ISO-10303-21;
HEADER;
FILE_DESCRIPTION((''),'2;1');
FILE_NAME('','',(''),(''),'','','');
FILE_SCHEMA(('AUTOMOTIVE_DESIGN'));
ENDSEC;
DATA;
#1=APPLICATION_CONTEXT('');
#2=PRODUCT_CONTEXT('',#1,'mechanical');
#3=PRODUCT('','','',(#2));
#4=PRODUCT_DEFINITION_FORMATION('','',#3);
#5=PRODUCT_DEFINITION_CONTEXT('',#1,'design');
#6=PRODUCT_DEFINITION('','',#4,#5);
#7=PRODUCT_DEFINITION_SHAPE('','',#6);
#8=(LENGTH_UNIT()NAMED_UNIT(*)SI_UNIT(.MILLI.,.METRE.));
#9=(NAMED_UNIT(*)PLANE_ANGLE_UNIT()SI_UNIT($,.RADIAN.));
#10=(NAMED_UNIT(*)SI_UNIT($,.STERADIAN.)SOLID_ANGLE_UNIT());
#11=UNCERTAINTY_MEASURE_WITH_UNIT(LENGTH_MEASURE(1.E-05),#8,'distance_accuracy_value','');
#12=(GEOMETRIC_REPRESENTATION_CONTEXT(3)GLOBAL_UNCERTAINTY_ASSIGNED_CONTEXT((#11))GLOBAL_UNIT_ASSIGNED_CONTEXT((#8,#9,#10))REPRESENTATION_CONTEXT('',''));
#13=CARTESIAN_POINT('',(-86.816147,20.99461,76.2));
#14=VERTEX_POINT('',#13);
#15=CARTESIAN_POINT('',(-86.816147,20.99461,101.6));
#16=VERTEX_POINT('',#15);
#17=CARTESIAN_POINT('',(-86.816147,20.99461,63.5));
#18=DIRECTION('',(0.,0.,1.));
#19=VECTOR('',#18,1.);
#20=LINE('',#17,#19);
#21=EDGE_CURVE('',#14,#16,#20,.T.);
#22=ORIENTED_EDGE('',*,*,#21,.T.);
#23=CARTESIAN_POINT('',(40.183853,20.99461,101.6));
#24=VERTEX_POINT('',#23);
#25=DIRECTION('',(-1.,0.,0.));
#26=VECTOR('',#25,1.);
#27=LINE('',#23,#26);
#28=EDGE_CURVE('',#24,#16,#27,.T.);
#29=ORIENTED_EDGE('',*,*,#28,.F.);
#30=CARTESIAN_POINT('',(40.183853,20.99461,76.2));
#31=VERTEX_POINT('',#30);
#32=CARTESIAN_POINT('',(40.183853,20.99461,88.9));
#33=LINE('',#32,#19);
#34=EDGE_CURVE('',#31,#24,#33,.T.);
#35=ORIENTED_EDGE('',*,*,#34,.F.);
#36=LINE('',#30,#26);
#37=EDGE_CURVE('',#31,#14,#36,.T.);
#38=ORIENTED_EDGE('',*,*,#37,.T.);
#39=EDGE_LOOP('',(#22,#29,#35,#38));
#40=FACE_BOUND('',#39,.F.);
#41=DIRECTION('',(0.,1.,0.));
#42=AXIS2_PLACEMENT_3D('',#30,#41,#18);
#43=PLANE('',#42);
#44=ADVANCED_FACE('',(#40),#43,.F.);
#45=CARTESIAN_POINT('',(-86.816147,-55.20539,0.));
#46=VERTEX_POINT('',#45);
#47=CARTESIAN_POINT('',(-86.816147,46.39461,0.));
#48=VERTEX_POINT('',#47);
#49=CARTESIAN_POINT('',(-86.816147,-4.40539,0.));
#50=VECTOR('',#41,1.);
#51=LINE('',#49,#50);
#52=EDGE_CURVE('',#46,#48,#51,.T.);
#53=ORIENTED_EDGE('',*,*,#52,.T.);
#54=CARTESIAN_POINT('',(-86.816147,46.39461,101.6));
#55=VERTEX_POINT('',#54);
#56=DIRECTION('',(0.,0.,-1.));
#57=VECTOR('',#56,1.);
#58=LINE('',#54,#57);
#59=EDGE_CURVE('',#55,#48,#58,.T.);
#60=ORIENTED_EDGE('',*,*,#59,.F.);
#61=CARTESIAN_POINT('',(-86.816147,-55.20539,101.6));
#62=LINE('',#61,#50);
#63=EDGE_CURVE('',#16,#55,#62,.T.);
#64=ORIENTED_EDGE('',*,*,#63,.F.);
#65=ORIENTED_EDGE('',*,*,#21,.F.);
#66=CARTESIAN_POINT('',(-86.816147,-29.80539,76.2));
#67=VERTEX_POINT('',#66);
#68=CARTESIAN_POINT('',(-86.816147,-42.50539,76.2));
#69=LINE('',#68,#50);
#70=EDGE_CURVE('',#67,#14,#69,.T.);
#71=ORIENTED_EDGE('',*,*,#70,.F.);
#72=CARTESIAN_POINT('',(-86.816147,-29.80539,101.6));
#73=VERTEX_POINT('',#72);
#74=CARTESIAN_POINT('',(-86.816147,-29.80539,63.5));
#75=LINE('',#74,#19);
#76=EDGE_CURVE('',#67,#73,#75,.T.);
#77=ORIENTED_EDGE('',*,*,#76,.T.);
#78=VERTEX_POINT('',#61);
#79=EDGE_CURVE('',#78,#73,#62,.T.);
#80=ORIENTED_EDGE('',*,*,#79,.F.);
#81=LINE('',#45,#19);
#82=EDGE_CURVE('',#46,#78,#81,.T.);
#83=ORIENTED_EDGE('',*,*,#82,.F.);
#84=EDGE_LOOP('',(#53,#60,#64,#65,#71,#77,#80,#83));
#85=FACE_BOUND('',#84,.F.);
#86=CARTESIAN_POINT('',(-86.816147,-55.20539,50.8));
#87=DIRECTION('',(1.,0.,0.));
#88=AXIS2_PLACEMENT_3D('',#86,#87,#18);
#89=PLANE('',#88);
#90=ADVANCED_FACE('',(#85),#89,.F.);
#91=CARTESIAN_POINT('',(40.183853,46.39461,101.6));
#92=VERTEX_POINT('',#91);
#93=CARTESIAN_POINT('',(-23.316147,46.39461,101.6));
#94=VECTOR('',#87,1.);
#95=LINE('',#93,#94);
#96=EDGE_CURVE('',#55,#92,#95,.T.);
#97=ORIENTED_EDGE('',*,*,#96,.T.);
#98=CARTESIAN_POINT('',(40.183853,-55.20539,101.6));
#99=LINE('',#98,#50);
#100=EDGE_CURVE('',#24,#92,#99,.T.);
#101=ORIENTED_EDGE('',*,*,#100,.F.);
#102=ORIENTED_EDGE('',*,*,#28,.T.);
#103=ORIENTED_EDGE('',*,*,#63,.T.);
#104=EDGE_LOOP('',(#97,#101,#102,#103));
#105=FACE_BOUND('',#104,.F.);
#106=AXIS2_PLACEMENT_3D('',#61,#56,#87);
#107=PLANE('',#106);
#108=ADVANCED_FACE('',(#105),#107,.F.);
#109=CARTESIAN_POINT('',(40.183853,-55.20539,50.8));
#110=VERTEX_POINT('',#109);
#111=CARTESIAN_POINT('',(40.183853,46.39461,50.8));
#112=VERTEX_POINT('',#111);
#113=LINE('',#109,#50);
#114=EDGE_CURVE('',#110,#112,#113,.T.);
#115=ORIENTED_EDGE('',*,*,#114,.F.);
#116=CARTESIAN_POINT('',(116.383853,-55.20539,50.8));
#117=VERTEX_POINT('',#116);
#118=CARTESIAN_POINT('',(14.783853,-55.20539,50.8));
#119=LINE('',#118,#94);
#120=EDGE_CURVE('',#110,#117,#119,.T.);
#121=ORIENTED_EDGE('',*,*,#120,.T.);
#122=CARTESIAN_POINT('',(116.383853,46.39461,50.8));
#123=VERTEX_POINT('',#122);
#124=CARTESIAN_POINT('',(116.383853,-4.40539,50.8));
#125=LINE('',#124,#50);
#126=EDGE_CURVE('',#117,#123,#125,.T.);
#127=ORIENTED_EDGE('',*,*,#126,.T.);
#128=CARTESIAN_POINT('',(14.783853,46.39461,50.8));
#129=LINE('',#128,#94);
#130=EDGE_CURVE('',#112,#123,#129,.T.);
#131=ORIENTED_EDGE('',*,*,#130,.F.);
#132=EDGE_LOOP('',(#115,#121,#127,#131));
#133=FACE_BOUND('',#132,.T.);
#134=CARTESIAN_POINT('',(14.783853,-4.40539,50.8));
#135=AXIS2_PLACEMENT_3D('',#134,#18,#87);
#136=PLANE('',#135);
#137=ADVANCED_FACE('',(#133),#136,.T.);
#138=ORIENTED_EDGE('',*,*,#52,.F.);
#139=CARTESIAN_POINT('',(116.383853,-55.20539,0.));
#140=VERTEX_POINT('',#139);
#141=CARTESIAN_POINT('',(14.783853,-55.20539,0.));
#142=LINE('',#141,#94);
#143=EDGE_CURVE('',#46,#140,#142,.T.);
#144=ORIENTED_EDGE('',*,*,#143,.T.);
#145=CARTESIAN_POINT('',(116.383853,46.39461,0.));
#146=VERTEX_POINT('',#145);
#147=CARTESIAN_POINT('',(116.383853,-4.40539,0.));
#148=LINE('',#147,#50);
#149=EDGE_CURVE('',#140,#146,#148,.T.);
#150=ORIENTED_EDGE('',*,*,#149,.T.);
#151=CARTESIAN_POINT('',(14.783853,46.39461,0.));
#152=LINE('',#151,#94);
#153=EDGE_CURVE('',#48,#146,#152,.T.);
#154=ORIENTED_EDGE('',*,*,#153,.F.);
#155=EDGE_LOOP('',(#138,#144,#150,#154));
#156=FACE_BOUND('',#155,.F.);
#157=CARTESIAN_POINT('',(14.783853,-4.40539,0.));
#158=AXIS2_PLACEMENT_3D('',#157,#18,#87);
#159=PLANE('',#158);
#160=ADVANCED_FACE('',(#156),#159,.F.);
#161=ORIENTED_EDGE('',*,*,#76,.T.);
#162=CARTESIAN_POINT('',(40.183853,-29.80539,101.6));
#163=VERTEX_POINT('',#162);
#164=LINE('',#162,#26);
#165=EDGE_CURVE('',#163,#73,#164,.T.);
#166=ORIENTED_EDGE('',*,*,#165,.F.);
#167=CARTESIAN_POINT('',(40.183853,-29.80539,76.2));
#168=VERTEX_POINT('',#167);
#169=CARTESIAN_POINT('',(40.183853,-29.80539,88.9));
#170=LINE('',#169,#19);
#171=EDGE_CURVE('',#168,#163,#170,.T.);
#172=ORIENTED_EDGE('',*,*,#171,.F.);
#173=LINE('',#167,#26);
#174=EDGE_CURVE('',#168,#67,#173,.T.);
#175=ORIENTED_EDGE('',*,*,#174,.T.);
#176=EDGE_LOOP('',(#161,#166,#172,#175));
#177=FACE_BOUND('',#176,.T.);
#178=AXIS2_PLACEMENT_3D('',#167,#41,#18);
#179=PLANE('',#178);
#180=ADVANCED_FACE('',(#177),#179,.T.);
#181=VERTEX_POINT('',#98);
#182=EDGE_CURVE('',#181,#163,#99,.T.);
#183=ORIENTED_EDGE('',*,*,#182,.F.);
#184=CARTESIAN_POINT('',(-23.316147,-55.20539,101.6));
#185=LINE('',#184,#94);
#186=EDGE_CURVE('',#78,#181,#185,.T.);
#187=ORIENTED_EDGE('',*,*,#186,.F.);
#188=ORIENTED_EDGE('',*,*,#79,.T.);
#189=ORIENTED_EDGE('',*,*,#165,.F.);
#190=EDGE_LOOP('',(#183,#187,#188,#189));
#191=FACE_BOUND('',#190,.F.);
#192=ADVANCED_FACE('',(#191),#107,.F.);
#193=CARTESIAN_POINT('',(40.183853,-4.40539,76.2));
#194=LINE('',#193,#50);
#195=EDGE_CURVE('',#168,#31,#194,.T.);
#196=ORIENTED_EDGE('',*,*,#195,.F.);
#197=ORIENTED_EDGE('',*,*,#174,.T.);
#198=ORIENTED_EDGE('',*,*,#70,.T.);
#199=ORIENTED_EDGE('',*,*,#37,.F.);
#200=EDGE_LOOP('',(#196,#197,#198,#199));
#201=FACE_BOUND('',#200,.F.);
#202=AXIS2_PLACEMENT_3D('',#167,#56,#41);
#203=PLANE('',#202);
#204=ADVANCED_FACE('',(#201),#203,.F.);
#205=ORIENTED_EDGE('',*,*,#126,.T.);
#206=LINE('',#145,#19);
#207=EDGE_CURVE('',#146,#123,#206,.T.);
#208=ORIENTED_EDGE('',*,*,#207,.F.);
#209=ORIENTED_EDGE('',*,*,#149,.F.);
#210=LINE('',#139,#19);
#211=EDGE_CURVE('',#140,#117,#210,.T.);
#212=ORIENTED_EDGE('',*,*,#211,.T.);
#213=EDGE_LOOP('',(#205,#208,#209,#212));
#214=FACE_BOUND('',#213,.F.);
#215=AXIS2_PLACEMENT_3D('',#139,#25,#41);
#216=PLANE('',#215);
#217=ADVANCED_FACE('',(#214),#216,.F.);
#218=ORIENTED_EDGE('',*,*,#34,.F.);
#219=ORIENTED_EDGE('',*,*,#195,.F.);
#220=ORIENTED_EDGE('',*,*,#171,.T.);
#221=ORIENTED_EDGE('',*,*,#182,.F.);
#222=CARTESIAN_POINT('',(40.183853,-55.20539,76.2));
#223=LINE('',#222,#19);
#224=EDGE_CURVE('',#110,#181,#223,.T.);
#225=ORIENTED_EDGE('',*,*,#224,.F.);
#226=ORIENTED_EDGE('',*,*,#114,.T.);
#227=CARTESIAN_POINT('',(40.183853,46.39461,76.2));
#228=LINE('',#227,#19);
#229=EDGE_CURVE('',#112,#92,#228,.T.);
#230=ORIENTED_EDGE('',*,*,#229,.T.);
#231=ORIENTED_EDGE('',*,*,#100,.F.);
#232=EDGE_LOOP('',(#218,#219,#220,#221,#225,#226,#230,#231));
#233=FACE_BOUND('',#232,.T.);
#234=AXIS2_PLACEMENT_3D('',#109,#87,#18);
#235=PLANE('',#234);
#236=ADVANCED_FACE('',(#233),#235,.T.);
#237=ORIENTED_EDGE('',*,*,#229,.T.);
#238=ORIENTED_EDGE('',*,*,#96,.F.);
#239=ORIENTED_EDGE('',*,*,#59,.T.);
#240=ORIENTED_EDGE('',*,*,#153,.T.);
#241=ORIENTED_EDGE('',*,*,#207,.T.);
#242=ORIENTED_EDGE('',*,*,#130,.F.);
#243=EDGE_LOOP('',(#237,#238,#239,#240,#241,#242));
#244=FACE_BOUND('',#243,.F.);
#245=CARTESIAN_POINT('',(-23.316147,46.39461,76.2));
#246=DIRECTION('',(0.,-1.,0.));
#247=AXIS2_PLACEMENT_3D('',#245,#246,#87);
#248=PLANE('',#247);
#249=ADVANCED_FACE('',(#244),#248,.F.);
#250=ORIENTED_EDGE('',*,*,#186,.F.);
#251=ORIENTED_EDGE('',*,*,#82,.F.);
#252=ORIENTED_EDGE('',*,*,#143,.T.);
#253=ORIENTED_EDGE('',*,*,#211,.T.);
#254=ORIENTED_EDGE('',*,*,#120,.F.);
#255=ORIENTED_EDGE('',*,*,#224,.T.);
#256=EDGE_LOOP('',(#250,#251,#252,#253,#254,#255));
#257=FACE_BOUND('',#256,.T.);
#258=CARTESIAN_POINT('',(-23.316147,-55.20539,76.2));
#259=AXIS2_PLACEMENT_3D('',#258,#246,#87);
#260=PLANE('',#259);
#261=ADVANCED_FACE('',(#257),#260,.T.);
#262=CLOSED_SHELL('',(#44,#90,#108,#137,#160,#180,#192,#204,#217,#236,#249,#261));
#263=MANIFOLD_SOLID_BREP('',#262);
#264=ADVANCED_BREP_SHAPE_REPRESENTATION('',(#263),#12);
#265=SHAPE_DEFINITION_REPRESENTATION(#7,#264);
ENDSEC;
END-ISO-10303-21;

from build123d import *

# Parameters (mm, degrees)
F0_W     = 203.2
F0_H     = 101.6
F1_DEPTH = 50.8
F2_W     = 127
F2_H     = 50.8
F3_DEPTH = 101.6
F4_W     = 50.8
F4_H     = 25.4
F5_DEPTH = 127.001


with BuildPart() as f1:
    # F0 (on Top) → F1 (new body)
    with BuildSketch(Plane.XY):
        with Locations((14.7838530302, -4.4053898573)):
            Rectangle(F0_W, F0_H)
    extrude(amount=F1_DEPTH)

    # F2 (on face) → F3 (join)
    with BuildSketch(Plane.XZ.offset(55.2053898573)):
        with Locations((-23.3161469698, 76.2)):
            Rectangle(F2_W, F2_H)
    extrude(amount=-F3_DEPTH)

    # F4 (on face) → F5 (cut, through all)
    with BuildSketch(Plane.YZ.offset(40.1838530302)):
        with Locations((-4.4053898573, 88.9)):
            Rectangle(F4_W, F4_H)
    extrude(amount=-F5_DEPTH, mode=Mode.SUBTRACT)


solid = f1.part
